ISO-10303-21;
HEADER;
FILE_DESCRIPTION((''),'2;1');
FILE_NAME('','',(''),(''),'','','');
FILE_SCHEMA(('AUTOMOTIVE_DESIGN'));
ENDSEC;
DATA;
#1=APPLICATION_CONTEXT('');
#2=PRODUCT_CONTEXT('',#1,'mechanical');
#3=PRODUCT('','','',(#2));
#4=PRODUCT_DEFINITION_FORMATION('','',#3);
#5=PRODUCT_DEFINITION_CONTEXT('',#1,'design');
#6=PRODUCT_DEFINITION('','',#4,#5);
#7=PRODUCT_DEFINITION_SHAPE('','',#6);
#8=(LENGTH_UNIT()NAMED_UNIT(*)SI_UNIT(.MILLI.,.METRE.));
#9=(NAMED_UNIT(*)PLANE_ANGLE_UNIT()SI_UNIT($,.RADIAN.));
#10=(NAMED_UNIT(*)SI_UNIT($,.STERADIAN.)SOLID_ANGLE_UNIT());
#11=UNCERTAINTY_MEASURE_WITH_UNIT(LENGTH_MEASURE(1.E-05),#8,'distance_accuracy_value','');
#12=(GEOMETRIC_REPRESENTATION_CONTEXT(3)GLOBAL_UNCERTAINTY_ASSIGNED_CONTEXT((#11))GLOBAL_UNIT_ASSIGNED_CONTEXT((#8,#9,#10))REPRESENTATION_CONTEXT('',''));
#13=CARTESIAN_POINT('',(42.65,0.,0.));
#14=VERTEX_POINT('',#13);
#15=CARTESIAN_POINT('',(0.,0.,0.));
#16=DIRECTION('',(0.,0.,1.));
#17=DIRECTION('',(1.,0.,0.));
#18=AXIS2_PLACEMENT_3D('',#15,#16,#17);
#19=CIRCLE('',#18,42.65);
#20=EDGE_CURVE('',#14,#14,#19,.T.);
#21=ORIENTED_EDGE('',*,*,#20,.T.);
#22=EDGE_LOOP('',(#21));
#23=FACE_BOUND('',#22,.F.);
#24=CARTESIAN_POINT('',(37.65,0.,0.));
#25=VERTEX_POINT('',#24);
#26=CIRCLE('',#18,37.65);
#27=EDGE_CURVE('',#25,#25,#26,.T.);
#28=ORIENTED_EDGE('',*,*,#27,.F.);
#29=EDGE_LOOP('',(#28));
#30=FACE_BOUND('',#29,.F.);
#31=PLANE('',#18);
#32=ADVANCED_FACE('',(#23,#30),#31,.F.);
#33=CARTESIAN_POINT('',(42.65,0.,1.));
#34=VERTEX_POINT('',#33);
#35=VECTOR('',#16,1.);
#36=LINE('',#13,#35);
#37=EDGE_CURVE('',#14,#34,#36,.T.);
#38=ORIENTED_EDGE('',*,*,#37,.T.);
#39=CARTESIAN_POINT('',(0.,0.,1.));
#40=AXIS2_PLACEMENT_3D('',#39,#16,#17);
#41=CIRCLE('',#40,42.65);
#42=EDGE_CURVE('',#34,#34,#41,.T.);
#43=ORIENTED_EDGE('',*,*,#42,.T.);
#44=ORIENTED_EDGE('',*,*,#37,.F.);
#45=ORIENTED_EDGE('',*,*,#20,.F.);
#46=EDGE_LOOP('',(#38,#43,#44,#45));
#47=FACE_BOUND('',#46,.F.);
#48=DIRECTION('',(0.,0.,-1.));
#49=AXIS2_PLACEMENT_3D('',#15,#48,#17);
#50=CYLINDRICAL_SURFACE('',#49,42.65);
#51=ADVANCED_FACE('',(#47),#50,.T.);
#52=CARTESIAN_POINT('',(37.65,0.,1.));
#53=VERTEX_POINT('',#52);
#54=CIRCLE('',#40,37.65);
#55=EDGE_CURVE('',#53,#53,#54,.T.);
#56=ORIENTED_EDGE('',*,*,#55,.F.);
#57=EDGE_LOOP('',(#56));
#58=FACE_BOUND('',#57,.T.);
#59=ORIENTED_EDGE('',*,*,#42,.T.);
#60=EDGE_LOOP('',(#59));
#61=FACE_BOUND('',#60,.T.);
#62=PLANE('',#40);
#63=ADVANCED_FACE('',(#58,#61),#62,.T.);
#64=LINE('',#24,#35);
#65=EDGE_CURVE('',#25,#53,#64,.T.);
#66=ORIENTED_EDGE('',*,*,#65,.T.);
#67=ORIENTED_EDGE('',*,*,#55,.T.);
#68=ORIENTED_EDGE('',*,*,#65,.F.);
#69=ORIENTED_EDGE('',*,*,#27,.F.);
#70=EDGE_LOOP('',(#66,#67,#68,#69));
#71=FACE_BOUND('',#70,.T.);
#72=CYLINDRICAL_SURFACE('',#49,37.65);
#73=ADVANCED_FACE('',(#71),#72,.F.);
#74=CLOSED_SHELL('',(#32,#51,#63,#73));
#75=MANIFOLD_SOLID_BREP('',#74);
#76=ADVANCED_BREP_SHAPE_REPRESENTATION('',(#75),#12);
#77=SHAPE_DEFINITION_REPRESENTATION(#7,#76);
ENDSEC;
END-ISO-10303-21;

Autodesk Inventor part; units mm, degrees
ref_plane "YZ Plane" through (0, 0, 0) normal (1, 0, 0) x (0, 1, 0)
ref_plane "XZ Plane" through (0, 0, 0) normal (0, 1, 0) x (-1, 0, 0)
ref_plane "XY Plane" through (0, 0, 0) normal (0, 0, 1) x (1, 0, 0)
sketch "Sketch1" plane through (0, 0, 0) normal (0, 0, 1) x (1, 0, 0)
  circle A0 centre (0, 0) radius 42.65
  circle A1 centre (0, 0) radius 37.65
  dimension "d0" = 75.3
  dimension "d1" = 5
extrude "Extrusion1" add sketch "Sketch1" along normal blind 1
properties part number "HDSpacer"
